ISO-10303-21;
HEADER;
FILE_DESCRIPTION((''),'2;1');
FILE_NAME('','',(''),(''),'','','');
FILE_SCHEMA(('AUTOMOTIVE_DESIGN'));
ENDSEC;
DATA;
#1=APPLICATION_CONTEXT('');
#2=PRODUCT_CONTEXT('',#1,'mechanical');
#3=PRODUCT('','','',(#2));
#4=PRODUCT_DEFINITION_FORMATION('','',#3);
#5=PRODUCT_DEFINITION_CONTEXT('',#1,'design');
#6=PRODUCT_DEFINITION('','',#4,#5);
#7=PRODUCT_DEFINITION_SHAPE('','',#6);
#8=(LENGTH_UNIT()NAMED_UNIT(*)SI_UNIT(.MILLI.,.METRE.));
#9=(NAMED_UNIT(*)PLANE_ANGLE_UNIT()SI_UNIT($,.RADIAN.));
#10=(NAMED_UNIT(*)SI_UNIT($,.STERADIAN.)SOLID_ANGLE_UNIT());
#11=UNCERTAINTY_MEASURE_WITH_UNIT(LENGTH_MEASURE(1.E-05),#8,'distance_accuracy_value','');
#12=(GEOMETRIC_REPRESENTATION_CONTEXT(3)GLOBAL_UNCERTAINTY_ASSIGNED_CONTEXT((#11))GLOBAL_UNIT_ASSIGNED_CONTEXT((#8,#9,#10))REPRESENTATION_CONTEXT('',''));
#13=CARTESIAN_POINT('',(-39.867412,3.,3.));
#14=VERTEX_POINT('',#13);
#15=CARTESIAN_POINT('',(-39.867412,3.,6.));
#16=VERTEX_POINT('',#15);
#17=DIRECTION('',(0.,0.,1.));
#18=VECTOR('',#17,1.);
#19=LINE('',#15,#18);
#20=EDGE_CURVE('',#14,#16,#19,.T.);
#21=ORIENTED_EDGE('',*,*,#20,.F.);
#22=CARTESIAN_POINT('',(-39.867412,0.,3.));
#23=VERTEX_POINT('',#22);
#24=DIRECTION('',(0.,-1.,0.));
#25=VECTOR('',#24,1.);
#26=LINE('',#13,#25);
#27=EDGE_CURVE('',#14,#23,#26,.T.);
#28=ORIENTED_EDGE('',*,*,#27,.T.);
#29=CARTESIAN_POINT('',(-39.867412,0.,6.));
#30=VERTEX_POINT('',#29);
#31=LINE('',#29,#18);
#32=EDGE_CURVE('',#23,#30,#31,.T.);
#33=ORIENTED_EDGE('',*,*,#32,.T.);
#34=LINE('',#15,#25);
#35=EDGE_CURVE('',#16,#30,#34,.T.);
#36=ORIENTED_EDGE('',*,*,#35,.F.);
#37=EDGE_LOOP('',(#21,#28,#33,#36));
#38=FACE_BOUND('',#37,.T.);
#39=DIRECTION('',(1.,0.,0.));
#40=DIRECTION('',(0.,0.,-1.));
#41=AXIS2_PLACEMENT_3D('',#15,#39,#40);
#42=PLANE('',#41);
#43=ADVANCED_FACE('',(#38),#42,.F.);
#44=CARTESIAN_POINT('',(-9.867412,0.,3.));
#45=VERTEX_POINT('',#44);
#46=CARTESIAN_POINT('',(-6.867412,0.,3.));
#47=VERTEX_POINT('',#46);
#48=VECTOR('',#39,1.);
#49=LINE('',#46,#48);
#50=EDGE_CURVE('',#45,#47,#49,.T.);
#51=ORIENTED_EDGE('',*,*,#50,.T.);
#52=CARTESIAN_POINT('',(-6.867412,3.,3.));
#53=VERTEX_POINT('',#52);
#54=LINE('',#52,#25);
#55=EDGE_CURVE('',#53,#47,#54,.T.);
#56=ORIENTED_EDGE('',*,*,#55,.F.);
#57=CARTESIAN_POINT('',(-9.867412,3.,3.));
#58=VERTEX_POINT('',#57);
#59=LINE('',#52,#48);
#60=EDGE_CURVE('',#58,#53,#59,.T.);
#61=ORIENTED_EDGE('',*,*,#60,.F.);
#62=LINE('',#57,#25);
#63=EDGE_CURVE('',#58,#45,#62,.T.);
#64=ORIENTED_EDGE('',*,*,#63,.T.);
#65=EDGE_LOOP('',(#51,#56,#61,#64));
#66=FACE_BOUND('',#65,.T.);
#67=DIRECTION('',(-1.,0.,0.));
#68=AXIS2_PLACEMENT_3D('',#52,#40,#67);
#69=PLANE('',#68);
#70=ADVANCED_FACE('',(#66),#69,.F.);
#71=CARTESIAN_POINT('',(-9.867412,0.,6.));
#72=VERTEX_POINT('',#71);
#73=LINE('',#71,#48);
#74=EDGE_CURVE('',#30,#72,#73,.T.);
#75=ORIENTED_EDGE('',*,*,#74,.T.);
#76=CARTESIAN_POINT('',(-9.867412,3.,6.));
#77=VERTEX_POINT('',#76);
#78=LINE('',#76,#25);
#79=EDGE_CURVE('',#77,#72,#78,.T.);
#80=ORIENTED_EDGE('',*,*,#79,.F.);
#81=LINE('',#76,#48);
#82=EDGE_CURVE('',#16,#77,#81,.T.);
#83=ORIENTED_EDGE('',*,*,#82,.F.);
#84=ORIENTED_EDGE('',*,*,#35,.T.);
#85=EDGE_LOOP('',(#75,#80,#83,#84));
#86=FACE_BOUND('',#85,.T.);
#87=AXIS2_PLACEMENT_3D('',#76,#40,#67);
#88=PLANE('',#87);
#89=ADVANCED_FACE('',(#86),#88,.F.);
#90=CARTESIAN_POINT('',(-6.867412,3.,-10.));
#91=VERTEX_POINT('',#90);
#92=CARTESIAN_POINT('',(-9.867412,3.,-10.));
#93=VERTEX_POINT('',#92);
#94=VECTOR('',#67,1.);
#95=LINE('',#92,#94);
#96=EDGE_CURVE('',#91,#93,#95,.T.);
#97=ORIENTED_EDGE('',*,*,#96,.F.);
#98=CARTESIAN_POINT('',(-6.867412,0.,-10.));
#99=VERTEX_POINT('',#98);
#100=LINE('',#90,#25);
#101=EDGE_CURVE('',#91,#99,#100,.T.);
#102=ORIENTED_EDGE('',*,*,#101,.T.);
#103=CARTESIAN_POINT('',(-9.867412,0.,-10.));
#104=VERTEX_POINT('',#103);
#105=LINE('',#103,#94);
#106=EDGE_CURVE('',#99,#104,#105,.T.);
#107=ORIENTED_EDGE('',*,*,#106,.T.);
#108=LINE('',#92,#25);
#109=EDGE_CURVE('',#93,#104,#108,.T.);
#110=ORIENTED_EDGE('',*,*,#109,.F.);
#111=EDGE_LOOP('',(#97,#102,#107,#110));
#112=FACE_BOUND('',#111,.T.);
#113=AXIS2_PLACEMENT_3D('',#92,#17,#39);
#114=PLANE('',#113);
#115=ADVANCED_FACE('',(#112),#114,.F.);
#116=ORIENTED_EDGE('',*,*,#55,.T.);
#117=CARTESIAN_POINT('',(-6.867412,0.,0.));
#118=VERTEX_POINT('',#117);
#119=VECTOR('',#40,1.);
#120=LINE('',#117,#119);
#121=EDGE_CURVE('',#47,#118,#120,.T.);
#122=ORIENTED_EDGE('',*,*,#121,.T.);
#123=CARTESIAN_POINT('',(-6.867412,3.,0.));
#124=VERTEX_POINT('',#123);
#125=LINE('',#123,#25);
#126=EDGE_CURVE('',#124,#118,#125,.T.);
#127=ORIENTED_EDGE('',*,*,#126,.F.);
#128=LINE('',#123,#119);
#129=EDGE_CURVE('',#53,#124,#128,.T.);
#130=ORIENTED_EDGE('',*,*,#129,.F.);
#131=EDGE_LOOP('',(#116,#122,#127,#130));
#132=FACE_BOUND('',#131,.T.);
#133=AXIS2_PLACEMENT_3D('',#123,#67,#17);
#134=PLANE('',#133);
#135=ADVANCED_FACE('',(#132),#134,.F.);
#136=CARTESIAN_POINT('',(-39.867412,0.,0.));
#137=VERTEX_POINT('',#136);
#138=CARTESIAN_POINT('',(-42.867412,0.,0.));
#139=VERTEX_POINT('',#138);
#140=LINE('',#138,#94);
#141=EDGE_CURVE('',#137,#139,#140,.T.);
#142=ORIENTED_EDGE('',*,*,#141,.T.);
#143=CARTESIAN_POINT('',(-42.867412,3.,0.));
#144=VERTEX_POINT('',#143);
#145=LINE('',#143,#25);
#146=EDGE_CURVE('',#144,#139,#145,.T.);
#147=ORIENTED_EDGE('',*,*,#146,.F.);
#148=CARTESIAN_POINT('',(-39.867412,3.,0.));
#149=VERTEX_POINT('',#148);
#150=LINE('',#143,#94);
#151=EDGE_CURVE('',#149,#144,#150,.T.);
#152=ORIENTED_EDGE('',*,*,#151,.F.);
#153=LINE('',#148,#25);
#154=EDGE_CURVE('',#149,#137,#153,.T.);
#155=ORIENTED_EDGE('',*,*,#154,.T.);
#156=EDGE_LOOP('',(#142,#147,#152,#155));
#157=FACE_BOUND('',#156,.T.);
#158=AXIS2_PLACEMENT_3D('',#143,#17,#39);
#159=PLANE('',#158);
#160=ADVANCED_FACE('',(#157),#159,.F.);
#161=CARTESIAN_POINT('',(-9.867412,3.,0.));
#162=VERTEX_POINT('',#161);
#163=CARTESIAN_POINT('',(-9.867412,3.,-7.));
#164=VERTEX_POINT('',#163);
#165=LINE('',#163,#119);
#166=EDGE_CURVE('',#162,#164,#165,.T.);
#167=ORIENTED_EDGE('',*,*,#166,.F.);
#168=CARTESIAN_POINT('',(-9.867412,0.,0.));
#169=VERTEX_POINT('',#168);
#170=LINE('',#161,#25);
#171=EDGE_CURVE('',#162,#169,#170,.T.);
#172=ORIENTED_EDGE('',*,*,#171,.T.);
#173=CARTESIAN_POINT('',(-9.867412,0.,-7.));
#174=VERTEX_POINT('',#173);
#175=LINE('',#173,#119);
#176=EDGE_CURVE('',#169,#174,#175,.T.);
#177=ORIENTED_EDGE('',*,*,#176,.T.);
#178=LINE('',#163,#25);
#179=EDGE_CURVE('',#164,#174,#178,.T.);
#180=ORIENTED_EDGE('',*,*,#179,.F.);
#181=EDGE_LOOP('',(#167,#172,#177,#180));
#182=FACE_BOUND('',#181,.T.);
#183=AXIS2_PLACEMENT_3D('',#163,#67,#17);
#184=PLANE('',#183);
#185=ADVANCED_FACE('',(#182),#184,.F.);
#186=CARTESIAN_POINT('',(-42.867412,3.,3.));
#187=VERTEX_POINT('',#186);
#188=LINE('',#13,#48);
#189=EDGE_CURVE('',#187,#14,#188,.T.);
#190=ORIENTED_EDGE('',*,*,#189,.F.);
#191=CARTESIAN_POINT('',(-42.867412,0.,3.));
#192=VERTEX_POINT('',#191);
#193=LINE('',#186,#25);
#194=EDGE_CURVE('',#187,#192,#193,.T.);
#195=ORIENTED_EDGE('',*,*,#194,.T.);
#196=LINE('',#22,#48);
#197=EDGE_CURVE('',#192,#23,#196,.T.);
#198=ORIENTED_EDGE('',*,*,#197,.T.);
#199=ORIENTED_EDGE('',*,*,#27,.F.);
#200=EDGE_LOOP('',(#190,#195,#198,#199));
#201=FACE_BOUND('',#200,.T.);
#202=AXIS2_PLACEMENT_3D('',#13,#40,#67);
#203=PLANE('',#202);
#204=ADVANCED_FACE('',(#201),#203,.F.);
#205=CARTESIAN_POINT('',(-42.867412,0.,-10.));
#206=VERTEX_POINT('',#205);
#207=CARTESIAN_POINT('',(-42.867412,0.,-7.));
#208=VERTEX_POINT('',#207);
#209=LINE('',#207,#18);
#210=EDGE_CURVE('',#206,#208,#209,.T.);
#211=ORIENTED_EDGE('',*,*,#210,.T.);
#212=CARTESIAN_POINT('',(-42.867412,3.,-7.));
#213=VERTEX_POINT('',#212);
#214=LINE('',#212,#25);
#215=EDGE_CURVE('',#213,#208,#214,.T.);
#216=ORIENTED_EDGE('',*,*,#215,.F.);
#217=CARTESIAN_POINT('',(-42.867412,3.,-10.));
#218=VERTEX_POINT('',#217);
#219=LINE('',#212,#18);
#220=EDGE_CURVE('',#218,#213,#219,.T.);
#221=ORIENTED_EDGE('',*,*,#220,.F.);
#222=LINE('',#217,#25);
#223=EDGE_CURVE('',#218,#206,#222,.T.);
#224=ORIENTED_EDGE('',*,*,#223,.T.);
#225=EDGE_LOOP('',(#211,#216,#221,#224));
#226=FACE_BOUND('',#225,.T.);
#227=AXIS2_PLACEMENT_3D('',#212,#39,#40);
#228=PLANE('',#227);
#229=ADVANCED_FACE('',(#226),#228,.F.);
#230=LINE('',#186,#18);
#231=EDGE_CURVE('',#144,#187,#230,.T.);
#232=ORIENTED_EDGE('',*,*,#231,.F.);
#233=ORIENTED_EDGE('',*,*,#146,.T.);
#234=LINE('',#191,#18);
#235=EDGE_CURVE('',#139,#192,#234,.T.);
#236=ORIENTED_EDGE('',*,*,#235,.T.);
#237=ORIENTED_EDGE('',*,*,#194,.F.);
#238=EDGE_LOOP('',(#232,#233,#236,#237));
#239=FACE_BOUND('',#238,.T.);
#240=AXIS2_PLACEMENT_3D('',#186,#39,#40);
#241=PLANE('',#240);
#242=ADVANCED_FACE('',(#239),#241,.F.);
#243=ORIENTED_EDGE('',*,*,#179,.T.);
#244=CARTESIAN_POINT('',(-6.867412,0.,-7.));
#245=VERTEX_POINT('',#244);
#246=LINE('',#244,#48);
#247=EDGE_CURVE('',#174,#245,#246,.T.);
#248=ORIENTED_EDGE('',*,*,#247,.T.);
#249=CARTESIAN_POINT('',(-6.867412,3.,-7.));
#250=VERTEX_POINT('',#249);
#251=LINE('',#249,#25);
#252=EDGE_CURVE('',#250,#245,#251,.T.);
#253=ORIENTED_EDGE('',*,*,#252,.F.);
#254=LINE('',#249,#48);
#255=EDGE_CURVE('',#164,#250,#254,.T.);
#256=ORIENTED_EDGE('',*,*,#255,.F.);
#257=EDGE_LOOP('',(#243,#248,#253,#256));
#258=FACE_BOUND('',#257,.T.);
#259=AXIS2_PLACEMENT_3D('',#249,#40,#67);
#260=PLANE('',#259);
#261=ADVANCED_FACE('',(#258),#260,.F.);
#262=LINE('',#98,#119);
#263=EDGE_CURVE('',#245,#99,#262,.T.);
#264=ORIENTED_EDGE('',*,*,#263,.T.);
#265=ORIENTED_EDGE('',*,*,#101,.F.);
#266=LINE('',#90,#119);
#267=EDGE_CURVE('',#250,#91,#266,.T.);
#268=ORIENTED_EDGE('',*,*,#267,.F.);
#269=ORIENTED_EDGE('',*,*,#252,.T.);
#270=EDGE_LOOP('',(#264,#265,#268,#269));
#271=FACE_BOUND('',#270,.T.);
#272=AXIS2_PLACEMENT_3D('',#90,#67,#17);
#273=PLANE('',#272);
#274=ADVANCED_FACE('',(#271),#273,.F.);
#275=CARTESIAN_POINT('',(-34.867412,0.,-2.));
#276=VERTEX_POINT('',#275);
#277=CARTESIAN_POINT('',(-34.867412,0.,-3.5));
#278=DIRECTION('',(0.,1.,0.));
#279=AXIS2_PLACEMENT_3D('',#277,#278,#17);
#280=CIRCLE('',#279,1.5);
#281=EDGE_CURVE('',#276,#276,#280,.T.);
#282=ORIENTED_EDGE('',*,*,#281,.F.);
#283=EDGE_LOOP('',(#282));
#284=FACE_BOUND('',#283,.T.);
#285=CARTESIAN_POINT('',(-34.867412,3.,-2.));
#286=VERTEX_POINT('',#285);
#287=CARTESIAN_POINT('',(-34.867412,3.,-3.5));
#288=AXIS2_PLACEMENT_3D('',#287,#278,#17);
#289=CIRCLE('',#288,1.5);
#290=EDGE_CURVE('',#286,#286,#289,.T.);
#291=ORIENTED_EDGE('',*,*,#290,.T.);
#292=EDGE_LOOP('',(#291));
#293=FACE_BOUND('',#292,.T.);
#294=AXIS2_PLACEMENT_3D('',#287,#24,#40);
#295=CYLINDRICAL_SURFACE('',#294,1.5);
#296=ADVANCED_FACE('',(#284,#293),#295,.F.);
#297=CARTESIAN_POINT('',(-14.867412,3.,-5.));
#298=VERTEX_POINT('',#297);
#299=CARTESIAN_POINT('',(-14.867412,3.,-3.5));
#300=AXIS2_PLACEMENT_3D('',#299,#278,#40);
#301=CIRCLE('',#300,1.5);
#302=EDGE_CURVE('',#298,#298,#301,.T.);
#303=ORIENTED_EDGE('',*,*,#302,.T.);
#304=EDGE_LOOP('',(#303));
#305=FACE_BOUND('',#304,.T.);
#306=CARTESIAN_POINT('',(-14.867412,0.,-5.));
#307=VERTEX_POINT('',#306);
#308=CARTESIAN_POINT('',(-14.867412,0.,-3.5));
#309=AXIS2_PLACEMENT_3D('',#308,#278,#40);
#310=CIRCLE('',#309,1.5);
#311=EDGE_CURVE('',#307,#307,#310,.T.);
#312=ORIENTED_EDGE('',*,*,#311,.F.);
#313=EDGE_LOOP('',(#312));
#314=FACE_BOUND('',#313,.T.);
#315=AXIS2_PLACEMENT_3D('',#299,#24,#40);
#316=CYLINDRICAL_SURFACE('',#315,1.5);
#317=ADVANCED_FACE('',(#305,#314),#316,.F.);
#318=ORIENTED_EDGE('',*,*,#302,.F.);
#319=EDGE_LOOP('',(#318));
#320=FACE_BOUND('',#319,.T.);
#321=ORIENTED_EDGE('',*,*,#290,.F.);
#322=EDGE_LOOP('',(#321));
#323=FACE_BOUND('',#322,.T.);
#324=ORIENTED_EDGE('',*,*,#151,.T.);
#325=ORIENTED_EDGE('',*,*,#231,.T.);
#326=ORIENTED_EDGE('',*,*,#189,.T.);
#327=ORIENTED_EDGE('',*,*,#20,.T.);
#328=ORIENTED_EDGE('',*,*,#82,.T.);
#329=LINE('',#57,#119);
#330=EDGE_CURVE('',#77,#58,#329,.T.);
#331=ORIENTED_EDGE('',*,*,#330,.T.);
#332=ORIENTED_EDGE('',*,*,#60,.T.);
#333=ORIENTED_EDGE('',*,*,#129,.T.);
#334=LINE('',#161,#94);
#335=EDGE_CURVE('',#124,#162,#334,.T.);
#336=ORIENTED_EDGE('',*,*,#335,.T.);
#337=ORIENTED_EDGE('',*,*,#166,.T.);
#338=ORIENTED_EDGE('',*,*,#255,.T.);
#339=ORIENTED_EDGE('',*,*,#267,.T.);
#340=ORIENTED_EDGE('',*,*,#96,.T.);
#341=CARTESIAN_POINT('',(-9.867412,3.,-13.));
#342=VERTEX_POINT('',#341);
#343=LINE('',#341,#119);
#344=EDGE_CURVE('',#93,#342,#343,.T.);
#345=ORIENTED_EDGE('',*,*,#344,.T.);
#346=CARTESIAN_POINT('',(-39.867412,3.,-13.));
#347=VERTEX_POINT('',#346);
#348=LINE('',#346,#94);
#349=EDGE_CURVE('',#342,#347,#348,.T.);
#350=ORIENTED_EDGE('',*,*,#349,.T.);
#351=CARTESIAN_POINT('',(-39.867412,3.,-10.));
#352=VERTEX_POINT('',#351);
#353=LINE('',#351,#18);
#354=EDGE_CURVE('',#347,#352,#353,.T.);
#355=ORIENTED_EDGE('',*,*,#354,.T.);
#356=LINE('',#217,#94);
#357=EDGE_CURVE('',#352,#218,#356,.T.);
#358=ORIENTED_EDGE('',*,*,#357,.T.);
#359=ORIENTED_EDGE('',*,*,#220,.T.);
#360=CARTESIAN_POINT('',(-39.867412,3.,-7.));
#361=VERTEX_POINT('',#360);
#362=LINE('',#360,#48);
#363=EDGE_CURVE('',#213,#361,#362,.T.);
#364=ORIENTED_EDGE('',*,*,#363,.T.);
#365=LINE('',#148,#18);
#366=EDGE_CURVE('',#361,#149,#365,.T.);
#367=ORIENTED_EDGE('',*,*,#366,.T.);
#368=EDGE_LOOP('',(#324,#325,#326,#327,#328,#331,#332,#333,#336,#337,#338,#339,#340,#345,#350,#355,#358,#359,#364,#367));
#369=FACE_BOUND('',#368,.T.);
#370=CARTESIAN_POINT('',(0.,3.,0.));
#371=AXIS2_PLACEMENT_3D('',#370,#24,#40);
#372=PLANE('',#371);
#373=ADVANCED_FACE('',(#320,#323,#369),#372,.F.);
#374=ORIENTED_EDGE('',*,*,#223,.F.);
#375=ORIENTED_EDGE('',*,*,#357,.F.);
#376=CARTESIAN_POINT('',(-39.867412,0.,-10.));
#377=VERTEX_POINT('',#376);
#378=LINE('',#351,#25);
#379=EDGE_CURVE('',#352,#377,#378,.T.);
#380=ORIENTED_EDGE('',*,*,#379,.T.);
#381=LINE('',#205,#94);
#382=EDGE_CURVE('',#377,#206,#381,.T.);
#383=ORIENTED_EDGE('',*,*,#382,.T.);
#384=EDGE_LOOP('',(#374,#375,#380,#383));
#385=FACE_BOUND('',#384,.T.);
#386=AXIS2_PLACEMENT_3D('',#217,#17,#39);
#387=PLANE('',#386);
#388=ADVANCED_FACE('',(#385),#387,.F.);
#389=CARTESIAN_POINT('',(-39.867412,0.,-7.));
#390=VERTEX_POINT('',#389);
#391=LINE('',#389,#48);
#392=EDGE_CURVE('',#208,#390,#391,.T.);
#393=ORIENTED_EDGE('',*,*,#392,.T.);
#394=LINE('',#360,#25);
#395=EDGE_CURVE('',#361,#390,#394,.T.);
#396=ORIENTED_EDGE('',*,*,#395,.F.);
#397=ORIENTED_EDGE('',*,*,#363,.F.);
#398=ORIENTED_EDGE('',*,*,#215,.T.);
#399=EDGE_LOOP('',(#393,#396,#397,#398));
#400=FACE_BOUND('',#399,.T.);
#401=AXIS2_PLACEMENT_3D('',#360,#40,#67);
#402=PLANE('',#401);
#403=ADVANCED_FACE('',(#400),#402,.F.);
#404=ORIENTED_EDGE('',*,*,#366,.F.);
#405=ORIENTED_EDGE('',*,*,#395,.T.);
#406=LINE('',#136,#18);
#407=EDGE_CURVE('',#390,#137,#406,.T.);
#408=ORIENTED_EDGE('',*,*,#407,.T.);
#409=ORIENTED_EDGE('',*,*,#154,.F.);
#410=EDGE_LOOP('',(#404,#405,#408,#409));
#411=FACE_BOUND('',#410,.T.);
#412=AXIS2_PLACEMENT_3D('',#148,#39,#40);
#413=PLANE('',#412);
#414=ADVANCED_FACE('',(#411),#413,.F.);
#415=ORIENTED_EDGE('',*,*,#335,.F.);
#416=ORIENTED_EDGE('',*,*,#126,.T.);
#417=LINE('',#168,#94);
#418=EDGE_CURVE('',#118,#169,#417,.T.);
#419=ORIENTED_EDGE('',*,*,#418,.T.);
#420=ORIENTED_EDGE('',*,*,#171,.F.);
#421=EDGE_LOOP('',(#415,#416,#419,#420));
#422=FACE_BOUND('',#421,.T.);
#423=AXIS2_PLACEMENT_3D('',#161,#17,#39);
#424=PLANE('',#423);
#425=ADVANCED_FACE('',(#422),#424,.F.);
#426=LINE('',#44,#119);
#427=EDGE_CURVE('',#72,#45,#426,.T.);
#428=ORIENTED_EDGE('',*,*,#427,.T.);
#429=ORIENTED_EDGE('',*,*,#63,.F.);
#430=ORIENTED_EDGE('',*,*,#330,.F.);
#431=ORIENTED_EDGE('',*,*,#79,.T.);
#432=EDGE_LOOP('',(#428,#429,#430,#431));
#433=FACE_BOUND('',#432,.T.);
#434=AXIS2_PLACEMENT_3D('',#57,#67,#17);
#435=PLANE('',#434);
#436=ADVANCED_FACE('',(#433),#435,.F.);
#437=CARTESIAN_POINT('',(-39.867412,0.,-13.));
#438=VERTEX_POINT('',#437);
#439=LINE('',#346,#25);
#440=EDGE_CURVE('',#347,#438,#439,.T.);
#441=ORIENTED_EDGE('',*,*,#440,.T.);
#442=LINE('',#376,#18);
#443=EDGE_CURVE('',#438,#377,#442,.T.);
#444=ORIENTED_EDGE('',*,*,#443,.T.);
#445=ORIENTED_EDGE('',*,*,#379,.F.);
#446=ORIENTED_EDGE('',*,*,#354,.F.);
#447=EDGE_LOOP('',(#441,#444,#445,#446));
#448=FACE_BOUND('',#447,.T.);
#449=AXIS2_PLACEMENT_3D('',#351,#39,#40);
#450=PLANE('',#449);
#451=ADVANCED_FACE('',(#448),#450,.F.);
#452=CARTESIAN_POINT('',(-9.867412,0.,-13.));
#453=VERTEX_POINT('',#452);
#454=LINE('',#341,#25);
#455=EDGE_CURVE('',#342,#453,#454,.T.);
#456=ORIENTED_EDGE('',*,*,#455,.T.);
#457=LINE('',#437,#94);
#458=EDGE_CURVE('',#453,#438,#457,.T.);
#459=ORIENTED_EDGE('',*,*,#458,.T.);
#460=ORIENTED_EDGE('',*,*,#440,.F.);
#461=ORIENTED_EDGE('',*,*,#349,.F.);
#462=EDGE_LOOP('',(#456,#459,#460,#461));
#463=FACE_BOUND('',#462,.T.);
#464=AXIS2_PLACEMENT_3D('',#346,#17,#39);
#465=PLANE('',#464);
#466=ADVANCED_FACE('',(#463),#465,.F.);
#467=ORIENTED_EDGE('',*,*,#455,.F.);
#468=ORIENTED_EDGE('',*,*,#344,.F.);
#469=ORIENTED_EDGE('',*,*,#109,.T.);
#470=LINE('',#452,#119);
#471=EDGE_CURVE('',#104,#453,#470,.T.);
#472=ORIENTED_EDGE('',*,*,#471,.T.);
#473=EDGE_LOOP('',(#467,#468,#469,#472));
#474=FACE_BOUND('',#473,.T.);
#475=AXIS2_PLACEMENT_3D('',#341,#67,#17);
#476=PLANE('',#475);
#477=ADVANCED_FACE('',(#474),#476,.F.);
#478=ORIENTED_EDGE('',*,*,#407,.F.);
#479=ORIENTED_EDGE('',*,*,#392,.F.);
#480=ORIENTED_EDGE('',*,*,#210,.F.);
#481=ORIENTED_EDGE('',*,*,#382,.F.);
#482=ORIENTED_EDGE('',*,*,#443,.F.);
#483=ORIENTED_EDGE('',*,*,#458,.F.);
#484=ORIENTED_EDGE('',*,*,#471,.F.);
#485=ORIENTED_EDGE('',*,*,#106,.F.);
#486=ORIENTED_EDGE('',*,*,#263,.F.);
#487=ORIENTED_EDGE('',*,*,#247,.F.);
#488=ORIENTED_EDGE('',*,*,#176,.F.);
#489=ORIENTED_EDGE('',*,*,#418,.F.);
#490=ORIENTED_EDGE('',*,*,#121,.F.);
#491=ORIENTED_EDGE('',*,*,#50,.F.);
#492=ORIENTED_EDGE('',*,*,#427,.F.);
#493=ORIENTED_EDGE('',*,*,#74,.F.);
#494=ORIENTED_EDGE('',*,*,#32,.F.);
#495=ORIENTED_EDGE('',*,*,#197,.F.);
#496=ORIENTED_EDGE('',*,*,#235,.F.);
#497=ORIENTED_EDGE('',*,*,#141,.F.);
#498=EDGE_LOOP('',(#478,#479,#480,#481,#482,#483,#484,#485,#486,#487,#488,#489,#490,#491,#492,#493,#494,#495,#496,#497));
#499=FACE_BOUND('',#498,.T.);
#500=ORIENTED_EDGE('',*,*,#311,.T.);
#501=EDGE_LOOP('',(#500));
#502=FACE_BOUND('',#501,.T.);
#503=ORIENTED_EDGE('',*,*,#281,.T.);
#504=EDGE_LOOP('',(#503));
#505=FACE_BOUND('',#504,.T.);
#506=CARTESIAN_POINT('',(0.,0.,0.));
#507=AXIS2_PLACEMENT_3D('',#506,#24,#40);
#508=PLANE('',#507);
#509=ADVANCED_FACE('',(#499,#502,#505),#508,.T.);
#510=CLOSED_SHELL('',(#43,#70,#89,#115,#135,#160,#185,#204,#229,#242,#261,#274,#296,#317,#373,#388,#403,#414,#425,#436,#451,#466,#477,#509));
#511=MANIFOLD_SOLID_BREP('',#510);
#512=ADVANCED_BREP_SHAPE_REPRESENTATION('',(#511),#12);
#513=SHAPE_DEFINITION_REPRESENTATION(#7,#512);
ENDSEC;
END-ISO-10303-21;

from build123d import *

# Parameters (mm, degrees)
SKETCH1_R           = 1.5
BOSS_EXTRUDE1_DEPTH = 3


with BuildPart() as part:
    # Sketch1 → Boss-Extrude1 (new body)
    with BuildSketch(Plane(origin=(0, 0, 0), x_dir=(1, 0, 0), z_dir=(0, 1, 0))):
        Polygon((-42.867412192, 7), (-42.867412192, 10), (-39.867412192, 10), (-39.867412192, 13), (-9.867412192, 13), (-9.867412192, 10), (-6.867412192, 10), (-6.867412192, 7), (-9.867412192, 7), (-9.867412192, 0), (-6.867412192, 0), (-6.867412192, -3), (-9.867412192, -3), (-9.867412192, -6), (-39.867412192, -6), (-39.867412192, -3), (-42.867412192, -3), (-42.867412192, 0), (-39.867412192, 0), (-39.867412192, 7), align=None)
        with Locations((-34.867412192, 3.5)):
            Circle(SKETCH1_R, mode=Mode.SUBTRACT)
        with Locations((-14.867412192, 3.5)):
            Circle(SKETCH1_R, mode=Mode.SUBTRACT)
    extrude(amount=BOSS_EXTRUDE1_DEPTH)


solid = part.part
